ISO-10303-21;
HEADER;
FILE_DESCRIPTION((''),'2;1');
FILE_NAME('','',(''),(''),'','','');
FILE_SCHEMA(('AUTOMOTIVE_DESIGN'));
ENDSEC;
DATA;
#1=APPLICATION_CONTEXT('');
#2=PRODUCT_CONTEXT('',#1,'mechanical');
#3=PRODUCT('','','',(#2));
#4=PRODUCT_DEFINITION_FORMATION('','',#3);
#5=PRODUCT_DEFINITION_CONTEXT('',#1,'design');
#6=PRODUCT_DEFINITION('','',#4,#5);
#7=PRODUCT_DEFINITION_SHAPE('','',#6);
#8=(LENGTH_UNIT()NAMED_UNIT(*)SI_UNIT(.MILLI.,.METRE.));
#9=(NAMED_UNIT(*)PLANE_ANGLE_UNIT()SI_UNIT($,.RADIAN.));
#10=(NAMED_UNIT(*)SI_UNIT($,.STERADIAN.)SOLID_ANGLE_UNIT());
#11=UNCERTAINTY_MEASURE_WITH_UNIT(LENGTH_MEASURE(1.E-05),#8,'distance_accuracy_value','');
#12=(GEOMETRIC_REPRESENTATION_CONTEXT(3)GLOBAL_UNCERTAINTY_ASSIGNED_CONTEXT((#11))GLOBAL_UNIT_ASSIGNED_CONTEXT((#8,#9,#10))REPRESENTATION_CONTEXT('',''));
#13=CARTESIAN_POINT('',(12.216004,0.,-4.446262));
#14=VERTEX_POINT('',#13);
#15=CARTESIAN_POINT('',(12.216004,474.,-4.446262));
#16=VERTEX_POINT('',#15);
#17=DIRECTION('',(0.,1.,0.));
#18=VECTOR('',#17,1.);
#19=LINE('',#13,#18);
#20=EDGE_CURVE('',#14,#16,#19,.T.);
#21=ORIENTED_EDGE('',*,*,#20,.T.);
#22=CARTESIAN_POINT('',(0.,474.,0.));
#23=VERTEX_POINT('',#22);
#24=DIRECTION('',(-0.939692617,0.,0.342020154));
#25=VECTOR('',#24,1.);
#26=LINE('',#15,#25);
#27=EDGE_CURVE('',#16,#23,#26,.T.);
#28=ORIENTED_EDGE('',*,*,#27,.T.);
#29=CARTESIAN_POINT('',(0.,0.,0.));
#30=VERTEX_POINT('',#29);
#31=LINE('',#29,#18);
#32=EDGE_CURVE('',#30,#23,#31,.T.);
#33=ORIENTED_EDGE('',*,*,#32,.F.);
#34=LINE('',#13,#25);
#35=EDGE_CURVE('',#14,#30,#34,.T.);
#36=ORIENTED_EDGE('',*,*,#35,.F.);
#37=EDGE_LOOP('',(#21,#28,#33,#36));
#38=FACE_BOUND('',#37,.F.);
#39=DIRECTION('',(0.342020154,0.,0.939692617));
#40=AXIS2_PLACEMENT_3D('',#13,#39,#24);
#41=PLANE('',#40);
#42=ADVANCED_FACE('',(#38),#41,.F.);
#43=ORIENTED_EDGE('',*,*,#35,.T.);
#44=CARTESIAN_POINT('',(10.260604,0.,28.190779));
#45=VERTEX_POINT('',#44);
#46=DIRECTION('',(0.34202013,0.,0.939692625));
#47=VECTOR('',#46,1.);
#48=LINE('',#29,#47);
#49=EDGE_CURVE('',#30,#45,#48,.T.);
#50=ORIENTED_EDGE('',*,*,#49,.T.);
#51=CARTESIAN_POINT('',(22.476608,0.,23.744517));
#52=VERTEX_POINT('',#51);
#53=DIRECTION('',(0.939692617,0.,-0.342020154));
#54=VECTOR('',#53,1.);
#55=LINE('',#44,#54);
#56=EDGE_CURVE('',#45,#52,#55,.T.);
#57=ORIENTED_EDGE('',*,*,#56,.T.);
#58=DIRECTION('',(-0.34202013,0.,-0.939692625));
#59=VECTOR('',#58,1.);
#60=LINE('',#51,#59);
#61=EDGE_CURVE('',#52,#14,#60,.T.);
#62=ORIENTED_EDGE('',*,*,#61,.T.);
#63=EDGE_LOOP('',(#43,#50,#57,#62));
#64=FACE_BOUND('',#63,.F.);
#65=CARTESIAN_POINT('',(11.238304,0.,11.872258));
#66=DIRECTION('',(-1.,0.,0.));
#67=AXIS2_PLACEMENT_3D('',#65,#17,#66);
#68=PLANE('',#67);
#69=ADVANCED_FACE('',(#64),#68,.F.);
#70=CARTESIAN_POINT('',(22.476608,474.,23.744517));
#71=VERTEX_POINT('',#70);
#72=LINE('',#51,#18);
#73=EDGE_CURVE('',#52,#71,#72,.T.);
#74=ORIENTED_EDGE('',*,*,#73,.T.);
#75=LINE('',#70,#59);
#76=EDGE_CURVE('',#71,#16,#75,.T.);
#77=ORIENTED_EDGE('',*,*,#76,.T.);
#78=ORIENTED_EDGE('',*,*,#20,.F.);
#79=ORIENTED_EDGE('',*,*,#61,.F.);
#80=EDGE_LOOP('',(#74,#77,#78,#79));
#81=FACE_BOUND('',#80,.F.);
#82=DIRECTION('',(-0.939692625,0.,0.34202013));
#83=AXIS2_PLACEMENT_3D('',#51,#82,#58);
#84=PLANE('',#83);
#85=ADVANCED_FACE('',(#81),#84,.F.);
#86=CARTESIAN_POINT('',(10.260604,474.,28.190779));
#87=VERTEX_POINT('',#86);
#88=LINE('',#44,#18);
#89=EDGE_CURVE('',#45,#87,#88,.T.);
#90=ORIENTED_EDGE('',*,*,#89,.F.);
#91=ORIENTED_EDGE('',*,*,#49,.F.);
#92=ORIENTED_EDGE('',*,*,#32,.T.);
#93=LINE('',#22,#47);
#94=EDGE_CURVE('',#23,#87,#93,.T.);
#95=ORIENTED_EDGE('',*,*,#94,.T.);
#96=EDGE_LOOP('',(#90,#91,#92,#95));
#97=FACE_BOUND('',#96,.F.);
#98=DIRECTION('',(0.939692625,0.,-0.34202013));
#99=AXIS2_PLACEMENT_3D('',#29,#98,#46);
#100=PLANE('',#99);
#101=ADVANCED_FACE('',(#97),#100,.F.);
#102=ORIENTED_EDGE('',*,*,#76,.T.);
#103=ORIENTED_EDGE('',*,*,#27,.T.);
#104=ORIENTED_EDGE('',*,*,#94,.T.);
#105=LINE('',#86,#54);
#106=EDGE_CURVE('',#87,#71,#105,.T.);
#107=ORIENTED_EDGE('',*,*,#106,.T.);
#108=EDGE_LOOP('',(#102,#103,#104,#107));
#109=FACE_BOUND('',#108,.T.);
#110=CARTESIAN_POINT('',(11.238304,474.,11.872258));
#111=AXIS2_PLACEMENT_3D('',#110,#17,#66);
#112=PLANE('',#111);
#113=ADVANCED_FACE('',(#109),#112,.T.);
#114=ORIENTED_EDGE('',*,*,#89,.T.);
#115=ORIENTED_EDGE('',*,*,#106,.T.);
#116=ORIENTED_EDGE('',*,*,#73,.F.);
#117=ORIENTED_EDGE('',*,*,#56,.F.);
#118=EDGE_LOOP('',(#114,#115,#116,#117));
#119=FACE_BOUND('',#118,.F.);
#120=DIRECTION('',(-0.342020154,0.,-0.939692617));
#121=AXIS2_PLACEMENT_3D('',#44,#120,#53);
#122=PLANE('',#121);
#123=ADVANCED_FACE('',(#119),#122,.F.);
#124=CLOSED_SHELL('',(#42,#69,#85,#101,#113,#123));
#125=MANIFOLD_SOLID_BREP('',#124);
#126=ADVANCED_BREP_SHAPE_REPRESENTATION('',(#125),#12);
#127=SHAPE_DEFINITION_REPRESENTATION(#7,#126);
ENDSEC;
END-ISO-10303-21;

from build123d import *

# Parameters (mm, degrees)
PAD_DEPTH = 474


with BuildPart() as part:
    # Sketch → Pad (new body)
    with BuildSketch(Plane.XZ):
        Polygon((0, 0), (10.260604, 28.190779), (22.476608, 23.744517), (12.216004, -4.446262), align=None)
    extrude(amount=-PAD_DEPTH)


solid = part.part
